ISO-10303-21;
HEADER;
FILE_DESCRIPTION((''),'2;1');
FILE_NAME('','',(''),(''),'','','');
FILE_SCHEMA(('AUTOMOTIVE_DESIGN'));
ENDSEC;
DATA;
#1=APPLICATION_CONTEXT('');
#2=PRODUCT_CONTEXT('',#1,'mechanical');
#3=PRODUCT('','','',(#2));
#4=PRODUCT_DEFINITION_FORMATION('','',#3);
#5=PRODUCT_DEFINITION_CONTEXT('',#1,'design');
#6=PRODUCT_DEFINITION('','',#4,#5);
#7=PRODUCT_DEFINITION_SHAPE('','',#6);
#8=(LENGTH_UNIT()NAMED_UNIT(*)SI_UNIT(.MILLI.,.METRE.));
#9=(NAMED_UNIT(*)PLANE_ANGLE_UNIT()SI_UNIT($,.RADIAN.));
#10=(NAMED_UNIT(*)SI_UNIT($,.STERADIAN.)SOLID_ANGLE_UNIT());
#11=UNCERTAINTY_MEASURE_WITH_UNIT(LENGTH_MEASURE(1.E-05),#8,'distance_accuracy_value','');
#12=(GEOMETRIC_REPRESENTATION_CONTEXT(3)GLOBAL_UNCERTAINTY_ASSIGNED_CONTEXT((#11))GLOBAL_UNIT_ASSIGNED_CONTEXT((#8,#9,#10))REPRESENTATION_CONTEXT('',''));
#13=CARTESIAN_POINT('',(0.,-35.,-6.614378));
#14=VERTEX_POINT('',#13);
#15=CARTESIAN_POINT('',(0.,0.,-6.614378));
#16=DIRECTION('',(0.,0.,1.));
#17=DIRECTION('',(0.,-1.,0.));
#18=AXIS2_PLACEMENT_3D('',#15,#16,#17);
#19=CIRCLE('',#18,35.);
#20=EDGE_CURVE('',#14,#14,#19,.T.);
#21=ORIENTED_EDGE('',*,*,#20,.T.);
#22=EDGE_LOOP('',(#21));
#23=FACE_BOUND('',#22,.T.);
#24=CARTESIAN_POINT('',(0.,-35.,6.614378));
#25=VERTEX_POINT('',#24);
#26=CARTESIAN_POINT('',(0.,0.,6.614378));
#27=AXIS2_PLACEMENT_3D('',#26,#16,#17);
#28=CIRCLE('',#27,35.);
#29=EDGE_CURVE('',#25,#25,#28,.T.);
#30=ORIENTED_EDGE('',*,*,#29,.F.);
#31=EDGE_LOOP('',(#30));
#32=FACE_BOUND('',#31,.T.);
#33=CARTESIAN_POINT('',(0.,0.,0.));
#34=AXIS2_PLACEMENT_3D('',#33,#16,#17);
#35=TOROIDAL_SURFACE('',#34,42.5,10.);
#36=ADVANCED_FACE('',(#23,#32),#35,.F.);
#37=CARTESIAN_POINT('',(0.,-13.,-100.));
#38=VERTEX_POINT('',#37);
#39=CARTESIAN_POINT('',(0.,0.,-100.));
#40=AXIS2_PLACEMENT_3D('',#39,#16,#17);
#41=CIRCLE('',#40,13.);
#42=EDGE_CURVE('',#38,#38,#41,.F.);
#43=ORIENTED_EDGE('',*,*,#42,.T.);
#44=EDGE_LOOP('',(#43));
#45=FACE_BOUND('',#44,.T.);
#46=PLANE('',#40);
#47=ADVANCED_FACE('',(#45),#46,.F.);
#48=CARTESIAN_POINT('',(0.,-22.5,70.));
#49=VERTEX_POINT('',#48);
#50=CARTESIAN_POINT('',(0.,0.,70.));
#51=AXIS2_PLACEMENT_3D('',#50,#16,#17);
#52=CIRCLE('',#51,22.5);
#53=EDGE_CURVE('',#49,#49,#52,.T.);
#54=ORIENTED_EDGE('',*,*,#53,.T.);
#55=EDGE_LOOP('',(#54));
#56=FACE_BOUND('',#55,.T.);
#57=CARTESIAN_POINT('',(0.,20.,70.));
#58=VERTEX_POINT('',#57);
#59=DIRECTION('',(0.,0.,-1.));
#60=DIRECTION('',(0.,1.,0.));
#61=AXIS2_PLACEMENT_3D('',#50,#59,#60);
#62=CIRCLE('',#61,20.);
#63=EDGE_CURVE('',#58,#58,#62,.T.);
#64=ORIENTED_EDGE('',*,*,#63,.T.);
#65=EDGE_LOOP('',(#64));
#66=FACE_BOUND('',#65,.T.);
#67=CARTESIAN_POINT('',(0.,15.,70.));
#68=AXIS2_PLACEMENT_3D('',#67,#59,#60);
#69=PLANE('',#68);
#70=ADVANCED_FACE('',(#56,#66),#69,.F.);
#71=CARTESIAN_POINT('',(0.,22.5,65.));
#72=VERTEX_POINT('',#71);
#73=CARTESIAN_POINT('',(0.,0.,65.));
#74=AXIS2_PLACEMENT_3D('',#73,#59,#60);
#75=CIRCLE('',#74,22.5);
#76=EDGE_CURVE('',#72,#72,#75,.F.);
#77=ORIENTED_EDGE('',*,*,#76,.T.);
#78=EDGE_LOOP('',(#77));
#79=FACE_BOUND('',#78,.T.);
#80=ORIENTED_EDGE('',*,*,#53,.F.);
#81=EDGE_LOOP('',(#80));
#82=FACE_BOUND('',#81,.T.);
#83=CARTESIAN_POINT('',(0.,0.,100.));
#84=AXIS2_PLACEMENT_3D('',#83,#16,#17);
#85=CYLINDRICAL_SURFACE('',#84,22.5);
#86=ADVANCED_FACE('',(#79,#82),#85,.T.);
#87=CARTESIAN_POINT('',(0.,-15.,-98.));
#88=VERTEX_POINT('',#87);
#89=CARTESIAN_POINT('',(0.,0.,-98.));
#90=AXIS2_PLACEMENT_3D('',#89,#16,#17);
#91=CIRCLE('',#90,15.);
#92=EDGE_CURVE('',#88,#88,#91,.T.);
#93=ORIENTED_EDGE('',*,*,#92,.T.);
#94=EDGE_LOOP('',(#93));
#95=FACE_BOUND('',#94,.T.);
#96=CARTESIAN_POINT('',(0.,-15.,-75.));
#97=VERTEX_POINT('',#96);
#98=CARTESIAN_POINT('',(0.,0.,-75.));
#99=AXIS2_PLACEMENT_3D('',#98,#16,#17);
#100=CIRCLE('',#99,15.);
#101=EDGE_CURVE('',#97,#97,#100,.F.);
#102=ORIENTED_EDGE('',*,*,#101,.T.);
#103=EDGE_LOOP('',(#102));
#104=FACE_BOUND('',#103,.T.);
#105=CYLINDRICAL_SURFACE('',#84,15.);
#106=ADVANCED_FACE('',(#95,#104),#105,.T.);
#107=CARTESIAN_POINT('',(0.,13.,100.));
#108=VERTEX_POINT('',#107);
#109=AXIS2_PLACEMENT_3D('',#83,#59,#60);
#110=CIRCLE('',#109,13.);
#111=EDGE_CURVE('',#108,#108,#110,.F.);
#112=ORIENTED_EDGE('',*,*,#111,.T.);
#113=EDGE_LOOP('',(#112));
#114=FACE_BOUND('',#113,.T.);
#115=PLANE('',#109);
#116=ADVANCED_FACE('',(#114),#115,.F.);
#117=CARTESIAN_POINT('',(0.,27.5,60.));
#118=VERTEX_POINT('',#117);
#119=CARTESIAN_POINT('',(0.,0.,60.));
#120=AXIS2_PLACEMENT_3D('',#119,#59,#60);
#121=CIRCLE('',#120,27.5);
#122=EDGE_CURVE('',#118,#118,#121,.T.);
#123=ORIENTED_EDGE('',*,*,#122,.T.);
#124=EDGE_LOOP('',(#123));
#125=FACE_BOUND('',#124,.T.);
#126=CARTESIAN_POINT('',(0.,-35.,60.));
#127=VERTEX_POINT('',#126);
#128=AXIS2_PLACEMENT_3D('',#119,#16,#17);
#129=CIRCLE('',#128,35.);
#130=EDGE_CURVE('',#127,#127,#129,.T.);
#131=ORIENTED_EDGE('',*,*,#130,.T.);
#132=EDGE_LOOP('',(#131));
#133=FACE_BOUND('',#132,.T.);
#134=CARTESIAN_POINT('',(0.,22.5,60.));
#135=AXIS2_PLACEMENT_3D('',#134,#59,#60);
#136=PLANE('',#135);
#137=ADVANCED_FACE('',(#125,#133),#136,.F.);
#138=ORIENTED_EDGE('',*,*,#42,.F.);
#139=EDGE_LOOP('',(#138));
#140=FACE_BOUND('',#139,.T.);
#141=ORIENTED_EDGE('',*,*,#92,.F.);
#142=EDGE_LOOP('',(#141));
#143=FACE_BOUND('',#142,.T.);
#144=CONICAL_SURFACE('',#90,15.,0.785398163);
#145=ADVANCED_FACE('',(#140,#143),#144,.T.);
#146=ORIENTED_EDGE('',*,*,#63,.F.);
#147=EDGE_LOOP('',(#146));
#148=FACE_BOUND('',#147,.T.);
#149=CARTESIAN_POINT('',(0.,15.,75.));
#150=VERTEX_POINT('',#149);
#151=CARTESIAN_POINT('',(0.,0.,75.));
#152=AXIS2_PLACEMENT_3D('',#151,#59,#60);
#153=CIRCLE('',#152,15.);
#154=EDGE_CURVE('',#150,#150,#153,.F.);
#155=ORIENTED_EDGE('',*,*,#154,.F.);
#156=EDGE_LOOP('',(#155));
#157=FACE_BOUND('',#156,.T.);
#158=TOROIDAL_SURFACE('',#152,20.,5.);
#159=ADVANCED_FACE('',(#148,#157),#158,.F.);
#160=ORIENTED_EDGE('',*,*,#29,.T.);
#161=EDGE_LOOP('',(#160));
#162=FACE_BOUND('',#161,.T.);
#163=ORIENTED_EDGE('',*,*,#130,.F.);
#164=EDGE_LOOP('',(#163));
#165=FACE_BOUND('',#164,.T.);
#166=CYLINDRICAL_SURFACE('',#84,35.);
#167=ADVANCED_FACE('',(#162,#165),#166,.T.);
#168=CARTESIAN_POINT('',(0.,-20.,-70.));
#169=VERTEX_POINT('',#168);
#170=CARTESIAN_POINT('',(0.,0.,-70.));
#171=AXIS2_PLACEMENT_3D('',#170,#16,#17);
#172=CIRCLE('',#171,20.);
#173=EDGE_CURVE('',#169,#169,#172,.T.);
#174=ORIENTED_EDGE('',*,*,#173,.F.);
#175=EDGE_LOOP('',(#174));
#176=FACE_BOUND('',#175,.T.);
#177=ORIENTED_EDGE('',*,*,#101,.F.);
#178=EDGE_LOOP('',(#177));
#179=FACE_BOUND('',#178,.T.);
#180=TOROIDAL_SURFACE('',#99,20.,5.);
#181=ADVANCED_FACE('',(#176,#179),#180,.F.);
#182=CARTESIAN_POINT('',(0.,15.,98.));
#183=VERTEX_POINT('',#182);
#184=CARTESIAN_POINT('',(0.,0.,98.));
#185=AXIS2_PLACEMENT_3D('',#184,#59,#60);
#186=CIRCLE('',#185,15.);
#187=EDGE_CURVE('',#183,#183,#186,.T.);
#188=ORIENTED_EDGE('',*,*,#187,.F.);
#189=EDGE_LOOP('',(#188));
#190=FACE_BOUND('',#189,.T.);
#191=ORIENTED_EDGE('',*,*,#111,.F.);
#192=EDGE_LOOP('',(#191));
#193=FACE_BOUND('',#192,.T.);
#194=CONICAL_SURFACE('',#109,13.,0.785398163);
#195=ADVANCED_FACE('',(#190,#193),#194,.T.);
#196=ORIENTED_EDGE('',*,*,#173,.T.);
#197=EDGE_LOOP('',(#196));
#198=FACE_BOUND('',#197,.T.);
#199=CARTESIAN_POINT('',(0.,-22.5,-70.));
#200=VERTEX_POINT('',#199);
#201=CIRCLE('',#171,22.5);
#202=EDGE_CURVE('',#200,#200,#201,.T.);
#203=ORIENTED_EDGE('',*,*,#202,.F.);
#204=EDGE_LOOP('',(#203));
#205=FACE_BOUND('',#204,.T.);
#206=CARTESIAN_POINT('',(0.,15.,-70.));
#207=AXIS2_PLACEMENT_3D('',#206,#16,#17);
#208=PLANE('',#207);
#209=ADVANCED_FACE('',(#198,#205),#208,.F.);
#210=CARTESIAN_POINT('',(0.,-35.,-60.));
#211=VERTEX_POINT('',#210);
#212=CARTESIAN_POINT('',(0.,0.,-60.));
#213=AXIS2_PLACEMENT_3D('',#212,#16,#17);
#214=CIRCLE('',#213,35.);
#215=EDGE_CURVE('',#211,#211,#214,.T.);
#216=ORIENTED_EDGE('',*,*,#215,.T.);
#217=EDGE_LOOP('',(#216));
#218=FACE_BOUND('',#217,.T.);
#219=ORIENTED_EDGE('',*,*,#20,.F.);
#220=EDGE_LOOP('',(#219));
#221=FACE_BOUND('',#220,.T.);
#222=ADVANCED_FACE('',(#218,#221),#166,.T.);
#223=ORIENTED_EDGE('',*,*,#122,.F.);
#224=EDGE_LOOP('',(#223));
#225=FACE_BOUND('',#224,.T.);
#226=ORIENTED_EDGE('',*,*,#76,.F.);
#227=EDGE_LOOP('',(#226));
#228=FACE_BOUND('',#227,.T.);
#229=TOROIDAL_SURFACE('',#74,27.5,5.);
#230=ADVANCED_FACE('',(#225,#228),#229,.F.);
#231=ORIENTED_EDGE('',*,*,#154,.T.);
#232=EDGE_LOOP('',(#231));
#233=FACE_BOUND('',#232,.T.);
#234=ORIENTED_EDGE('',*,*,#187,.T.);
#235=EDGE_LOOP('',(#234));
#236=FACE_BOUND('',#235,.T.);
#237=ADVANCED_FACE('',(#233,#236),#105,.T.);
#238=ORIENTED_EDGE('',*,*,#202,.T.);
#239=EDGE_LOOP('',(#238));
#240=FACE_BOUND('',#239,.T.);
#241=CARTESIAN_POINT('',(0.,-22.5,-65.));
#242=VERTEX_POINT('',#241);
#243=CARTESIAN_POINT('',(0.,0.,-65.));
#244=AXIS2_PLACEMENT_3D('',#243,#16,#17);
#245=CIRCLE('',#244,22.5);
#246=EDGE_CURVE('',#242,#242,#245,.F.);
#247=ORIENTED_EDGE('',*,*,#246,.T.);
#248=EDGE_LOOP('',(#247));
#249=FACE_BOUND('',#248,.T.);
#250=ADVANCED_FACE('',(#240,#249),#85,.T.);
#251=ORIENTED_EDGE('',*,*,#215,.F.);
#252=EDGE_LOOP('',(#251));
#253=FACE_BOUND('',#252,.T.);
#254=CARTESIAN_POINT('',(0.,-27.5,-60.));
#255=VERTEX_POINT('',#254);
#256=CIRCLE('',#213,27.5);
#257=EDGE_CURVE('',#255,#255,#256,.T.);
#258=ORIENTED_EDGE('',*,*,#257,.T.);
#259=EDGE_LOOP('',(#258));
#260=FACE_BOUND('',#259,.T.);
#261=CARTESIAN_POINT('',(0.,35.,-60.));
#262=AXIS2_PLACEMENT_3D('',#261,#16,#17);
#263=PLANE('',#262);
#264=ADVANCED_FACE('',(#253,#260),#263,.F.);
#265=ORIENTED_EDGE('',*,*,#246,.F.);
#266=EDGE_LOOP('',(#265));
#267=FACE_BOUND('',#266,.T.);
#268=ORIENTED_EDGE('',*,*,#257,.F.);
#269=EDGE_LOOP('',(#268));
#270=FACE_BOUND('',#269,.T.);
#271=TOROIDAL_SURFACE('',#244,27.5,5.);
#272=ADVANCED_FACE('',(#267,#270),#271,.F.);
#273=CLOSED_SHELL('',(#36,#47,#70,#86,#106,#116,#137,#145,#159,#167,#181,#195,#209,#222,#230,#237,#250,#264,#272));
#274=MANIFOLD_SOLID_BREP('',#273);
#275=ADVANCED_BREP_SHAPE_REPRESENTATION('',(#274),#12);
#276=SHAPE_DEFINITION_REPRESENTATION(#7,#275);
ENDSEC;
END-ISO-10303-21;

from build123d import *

# Parameters (mm, degrees)
CHANFRO1_SIZE = 2
FILETE1_R     = 5


with BuildPart() as part:
    # Esboço1 → Revolução1 (revolve)
    with BuildSketch(Plane(origin=(0, 0, 0), x_dir=(0, 0, -1), z_dir=(1, 0, 0))):
        with BuildLine():
            Line((100, 0), (100, 15))
            Line((100, 15), (70, 15))
            Line((70, 15), (70, 22.5))
            Line((70, 22.5), (60, 22.5))
            Line((60, 22.5), (60, 35))
            Line((60, 35), (6.614378278, 35))
            ThreePointArc((6.614378278, 35), (0, 32.5), (-6.614378278, 35))
            Line((-6.614378278, 35), (-60, 35))
            Line((-60, 35), (-60, 22.5))
            Line((-60, 22.5), (-70, 22.5))
            Line((-70, 22.5), (-70, 15))
            Line((-70, 15), (-100, 15))
            Line((-100, 15), (-100, 0))
            Line((-100, 0), (100, 0))
        make_face()
    revolve(axis=Axis((0, 0, 100), (0, 0, -1)))

    # Chanfro1
    chanfro1_edges = [part.edges().sort_by_distance(p)[0] for p in [
        (0, -15, 100),
        (0, -15, -100),
    ]]
    chamfer(chanfro1_edges, length=CHANFRO1_SIZE)

    # Filete1
    filete1_edges = [part.edges().sort_by_distance(p)[0] for p in [
        (0, -15, 70),
        (0, -22.5, 60),
        (0, -22.5, -60),
        (0, -15, -70),
    ]]
    fillet(filete1_edges, radius=FILETE1_R)


solid = part.part
